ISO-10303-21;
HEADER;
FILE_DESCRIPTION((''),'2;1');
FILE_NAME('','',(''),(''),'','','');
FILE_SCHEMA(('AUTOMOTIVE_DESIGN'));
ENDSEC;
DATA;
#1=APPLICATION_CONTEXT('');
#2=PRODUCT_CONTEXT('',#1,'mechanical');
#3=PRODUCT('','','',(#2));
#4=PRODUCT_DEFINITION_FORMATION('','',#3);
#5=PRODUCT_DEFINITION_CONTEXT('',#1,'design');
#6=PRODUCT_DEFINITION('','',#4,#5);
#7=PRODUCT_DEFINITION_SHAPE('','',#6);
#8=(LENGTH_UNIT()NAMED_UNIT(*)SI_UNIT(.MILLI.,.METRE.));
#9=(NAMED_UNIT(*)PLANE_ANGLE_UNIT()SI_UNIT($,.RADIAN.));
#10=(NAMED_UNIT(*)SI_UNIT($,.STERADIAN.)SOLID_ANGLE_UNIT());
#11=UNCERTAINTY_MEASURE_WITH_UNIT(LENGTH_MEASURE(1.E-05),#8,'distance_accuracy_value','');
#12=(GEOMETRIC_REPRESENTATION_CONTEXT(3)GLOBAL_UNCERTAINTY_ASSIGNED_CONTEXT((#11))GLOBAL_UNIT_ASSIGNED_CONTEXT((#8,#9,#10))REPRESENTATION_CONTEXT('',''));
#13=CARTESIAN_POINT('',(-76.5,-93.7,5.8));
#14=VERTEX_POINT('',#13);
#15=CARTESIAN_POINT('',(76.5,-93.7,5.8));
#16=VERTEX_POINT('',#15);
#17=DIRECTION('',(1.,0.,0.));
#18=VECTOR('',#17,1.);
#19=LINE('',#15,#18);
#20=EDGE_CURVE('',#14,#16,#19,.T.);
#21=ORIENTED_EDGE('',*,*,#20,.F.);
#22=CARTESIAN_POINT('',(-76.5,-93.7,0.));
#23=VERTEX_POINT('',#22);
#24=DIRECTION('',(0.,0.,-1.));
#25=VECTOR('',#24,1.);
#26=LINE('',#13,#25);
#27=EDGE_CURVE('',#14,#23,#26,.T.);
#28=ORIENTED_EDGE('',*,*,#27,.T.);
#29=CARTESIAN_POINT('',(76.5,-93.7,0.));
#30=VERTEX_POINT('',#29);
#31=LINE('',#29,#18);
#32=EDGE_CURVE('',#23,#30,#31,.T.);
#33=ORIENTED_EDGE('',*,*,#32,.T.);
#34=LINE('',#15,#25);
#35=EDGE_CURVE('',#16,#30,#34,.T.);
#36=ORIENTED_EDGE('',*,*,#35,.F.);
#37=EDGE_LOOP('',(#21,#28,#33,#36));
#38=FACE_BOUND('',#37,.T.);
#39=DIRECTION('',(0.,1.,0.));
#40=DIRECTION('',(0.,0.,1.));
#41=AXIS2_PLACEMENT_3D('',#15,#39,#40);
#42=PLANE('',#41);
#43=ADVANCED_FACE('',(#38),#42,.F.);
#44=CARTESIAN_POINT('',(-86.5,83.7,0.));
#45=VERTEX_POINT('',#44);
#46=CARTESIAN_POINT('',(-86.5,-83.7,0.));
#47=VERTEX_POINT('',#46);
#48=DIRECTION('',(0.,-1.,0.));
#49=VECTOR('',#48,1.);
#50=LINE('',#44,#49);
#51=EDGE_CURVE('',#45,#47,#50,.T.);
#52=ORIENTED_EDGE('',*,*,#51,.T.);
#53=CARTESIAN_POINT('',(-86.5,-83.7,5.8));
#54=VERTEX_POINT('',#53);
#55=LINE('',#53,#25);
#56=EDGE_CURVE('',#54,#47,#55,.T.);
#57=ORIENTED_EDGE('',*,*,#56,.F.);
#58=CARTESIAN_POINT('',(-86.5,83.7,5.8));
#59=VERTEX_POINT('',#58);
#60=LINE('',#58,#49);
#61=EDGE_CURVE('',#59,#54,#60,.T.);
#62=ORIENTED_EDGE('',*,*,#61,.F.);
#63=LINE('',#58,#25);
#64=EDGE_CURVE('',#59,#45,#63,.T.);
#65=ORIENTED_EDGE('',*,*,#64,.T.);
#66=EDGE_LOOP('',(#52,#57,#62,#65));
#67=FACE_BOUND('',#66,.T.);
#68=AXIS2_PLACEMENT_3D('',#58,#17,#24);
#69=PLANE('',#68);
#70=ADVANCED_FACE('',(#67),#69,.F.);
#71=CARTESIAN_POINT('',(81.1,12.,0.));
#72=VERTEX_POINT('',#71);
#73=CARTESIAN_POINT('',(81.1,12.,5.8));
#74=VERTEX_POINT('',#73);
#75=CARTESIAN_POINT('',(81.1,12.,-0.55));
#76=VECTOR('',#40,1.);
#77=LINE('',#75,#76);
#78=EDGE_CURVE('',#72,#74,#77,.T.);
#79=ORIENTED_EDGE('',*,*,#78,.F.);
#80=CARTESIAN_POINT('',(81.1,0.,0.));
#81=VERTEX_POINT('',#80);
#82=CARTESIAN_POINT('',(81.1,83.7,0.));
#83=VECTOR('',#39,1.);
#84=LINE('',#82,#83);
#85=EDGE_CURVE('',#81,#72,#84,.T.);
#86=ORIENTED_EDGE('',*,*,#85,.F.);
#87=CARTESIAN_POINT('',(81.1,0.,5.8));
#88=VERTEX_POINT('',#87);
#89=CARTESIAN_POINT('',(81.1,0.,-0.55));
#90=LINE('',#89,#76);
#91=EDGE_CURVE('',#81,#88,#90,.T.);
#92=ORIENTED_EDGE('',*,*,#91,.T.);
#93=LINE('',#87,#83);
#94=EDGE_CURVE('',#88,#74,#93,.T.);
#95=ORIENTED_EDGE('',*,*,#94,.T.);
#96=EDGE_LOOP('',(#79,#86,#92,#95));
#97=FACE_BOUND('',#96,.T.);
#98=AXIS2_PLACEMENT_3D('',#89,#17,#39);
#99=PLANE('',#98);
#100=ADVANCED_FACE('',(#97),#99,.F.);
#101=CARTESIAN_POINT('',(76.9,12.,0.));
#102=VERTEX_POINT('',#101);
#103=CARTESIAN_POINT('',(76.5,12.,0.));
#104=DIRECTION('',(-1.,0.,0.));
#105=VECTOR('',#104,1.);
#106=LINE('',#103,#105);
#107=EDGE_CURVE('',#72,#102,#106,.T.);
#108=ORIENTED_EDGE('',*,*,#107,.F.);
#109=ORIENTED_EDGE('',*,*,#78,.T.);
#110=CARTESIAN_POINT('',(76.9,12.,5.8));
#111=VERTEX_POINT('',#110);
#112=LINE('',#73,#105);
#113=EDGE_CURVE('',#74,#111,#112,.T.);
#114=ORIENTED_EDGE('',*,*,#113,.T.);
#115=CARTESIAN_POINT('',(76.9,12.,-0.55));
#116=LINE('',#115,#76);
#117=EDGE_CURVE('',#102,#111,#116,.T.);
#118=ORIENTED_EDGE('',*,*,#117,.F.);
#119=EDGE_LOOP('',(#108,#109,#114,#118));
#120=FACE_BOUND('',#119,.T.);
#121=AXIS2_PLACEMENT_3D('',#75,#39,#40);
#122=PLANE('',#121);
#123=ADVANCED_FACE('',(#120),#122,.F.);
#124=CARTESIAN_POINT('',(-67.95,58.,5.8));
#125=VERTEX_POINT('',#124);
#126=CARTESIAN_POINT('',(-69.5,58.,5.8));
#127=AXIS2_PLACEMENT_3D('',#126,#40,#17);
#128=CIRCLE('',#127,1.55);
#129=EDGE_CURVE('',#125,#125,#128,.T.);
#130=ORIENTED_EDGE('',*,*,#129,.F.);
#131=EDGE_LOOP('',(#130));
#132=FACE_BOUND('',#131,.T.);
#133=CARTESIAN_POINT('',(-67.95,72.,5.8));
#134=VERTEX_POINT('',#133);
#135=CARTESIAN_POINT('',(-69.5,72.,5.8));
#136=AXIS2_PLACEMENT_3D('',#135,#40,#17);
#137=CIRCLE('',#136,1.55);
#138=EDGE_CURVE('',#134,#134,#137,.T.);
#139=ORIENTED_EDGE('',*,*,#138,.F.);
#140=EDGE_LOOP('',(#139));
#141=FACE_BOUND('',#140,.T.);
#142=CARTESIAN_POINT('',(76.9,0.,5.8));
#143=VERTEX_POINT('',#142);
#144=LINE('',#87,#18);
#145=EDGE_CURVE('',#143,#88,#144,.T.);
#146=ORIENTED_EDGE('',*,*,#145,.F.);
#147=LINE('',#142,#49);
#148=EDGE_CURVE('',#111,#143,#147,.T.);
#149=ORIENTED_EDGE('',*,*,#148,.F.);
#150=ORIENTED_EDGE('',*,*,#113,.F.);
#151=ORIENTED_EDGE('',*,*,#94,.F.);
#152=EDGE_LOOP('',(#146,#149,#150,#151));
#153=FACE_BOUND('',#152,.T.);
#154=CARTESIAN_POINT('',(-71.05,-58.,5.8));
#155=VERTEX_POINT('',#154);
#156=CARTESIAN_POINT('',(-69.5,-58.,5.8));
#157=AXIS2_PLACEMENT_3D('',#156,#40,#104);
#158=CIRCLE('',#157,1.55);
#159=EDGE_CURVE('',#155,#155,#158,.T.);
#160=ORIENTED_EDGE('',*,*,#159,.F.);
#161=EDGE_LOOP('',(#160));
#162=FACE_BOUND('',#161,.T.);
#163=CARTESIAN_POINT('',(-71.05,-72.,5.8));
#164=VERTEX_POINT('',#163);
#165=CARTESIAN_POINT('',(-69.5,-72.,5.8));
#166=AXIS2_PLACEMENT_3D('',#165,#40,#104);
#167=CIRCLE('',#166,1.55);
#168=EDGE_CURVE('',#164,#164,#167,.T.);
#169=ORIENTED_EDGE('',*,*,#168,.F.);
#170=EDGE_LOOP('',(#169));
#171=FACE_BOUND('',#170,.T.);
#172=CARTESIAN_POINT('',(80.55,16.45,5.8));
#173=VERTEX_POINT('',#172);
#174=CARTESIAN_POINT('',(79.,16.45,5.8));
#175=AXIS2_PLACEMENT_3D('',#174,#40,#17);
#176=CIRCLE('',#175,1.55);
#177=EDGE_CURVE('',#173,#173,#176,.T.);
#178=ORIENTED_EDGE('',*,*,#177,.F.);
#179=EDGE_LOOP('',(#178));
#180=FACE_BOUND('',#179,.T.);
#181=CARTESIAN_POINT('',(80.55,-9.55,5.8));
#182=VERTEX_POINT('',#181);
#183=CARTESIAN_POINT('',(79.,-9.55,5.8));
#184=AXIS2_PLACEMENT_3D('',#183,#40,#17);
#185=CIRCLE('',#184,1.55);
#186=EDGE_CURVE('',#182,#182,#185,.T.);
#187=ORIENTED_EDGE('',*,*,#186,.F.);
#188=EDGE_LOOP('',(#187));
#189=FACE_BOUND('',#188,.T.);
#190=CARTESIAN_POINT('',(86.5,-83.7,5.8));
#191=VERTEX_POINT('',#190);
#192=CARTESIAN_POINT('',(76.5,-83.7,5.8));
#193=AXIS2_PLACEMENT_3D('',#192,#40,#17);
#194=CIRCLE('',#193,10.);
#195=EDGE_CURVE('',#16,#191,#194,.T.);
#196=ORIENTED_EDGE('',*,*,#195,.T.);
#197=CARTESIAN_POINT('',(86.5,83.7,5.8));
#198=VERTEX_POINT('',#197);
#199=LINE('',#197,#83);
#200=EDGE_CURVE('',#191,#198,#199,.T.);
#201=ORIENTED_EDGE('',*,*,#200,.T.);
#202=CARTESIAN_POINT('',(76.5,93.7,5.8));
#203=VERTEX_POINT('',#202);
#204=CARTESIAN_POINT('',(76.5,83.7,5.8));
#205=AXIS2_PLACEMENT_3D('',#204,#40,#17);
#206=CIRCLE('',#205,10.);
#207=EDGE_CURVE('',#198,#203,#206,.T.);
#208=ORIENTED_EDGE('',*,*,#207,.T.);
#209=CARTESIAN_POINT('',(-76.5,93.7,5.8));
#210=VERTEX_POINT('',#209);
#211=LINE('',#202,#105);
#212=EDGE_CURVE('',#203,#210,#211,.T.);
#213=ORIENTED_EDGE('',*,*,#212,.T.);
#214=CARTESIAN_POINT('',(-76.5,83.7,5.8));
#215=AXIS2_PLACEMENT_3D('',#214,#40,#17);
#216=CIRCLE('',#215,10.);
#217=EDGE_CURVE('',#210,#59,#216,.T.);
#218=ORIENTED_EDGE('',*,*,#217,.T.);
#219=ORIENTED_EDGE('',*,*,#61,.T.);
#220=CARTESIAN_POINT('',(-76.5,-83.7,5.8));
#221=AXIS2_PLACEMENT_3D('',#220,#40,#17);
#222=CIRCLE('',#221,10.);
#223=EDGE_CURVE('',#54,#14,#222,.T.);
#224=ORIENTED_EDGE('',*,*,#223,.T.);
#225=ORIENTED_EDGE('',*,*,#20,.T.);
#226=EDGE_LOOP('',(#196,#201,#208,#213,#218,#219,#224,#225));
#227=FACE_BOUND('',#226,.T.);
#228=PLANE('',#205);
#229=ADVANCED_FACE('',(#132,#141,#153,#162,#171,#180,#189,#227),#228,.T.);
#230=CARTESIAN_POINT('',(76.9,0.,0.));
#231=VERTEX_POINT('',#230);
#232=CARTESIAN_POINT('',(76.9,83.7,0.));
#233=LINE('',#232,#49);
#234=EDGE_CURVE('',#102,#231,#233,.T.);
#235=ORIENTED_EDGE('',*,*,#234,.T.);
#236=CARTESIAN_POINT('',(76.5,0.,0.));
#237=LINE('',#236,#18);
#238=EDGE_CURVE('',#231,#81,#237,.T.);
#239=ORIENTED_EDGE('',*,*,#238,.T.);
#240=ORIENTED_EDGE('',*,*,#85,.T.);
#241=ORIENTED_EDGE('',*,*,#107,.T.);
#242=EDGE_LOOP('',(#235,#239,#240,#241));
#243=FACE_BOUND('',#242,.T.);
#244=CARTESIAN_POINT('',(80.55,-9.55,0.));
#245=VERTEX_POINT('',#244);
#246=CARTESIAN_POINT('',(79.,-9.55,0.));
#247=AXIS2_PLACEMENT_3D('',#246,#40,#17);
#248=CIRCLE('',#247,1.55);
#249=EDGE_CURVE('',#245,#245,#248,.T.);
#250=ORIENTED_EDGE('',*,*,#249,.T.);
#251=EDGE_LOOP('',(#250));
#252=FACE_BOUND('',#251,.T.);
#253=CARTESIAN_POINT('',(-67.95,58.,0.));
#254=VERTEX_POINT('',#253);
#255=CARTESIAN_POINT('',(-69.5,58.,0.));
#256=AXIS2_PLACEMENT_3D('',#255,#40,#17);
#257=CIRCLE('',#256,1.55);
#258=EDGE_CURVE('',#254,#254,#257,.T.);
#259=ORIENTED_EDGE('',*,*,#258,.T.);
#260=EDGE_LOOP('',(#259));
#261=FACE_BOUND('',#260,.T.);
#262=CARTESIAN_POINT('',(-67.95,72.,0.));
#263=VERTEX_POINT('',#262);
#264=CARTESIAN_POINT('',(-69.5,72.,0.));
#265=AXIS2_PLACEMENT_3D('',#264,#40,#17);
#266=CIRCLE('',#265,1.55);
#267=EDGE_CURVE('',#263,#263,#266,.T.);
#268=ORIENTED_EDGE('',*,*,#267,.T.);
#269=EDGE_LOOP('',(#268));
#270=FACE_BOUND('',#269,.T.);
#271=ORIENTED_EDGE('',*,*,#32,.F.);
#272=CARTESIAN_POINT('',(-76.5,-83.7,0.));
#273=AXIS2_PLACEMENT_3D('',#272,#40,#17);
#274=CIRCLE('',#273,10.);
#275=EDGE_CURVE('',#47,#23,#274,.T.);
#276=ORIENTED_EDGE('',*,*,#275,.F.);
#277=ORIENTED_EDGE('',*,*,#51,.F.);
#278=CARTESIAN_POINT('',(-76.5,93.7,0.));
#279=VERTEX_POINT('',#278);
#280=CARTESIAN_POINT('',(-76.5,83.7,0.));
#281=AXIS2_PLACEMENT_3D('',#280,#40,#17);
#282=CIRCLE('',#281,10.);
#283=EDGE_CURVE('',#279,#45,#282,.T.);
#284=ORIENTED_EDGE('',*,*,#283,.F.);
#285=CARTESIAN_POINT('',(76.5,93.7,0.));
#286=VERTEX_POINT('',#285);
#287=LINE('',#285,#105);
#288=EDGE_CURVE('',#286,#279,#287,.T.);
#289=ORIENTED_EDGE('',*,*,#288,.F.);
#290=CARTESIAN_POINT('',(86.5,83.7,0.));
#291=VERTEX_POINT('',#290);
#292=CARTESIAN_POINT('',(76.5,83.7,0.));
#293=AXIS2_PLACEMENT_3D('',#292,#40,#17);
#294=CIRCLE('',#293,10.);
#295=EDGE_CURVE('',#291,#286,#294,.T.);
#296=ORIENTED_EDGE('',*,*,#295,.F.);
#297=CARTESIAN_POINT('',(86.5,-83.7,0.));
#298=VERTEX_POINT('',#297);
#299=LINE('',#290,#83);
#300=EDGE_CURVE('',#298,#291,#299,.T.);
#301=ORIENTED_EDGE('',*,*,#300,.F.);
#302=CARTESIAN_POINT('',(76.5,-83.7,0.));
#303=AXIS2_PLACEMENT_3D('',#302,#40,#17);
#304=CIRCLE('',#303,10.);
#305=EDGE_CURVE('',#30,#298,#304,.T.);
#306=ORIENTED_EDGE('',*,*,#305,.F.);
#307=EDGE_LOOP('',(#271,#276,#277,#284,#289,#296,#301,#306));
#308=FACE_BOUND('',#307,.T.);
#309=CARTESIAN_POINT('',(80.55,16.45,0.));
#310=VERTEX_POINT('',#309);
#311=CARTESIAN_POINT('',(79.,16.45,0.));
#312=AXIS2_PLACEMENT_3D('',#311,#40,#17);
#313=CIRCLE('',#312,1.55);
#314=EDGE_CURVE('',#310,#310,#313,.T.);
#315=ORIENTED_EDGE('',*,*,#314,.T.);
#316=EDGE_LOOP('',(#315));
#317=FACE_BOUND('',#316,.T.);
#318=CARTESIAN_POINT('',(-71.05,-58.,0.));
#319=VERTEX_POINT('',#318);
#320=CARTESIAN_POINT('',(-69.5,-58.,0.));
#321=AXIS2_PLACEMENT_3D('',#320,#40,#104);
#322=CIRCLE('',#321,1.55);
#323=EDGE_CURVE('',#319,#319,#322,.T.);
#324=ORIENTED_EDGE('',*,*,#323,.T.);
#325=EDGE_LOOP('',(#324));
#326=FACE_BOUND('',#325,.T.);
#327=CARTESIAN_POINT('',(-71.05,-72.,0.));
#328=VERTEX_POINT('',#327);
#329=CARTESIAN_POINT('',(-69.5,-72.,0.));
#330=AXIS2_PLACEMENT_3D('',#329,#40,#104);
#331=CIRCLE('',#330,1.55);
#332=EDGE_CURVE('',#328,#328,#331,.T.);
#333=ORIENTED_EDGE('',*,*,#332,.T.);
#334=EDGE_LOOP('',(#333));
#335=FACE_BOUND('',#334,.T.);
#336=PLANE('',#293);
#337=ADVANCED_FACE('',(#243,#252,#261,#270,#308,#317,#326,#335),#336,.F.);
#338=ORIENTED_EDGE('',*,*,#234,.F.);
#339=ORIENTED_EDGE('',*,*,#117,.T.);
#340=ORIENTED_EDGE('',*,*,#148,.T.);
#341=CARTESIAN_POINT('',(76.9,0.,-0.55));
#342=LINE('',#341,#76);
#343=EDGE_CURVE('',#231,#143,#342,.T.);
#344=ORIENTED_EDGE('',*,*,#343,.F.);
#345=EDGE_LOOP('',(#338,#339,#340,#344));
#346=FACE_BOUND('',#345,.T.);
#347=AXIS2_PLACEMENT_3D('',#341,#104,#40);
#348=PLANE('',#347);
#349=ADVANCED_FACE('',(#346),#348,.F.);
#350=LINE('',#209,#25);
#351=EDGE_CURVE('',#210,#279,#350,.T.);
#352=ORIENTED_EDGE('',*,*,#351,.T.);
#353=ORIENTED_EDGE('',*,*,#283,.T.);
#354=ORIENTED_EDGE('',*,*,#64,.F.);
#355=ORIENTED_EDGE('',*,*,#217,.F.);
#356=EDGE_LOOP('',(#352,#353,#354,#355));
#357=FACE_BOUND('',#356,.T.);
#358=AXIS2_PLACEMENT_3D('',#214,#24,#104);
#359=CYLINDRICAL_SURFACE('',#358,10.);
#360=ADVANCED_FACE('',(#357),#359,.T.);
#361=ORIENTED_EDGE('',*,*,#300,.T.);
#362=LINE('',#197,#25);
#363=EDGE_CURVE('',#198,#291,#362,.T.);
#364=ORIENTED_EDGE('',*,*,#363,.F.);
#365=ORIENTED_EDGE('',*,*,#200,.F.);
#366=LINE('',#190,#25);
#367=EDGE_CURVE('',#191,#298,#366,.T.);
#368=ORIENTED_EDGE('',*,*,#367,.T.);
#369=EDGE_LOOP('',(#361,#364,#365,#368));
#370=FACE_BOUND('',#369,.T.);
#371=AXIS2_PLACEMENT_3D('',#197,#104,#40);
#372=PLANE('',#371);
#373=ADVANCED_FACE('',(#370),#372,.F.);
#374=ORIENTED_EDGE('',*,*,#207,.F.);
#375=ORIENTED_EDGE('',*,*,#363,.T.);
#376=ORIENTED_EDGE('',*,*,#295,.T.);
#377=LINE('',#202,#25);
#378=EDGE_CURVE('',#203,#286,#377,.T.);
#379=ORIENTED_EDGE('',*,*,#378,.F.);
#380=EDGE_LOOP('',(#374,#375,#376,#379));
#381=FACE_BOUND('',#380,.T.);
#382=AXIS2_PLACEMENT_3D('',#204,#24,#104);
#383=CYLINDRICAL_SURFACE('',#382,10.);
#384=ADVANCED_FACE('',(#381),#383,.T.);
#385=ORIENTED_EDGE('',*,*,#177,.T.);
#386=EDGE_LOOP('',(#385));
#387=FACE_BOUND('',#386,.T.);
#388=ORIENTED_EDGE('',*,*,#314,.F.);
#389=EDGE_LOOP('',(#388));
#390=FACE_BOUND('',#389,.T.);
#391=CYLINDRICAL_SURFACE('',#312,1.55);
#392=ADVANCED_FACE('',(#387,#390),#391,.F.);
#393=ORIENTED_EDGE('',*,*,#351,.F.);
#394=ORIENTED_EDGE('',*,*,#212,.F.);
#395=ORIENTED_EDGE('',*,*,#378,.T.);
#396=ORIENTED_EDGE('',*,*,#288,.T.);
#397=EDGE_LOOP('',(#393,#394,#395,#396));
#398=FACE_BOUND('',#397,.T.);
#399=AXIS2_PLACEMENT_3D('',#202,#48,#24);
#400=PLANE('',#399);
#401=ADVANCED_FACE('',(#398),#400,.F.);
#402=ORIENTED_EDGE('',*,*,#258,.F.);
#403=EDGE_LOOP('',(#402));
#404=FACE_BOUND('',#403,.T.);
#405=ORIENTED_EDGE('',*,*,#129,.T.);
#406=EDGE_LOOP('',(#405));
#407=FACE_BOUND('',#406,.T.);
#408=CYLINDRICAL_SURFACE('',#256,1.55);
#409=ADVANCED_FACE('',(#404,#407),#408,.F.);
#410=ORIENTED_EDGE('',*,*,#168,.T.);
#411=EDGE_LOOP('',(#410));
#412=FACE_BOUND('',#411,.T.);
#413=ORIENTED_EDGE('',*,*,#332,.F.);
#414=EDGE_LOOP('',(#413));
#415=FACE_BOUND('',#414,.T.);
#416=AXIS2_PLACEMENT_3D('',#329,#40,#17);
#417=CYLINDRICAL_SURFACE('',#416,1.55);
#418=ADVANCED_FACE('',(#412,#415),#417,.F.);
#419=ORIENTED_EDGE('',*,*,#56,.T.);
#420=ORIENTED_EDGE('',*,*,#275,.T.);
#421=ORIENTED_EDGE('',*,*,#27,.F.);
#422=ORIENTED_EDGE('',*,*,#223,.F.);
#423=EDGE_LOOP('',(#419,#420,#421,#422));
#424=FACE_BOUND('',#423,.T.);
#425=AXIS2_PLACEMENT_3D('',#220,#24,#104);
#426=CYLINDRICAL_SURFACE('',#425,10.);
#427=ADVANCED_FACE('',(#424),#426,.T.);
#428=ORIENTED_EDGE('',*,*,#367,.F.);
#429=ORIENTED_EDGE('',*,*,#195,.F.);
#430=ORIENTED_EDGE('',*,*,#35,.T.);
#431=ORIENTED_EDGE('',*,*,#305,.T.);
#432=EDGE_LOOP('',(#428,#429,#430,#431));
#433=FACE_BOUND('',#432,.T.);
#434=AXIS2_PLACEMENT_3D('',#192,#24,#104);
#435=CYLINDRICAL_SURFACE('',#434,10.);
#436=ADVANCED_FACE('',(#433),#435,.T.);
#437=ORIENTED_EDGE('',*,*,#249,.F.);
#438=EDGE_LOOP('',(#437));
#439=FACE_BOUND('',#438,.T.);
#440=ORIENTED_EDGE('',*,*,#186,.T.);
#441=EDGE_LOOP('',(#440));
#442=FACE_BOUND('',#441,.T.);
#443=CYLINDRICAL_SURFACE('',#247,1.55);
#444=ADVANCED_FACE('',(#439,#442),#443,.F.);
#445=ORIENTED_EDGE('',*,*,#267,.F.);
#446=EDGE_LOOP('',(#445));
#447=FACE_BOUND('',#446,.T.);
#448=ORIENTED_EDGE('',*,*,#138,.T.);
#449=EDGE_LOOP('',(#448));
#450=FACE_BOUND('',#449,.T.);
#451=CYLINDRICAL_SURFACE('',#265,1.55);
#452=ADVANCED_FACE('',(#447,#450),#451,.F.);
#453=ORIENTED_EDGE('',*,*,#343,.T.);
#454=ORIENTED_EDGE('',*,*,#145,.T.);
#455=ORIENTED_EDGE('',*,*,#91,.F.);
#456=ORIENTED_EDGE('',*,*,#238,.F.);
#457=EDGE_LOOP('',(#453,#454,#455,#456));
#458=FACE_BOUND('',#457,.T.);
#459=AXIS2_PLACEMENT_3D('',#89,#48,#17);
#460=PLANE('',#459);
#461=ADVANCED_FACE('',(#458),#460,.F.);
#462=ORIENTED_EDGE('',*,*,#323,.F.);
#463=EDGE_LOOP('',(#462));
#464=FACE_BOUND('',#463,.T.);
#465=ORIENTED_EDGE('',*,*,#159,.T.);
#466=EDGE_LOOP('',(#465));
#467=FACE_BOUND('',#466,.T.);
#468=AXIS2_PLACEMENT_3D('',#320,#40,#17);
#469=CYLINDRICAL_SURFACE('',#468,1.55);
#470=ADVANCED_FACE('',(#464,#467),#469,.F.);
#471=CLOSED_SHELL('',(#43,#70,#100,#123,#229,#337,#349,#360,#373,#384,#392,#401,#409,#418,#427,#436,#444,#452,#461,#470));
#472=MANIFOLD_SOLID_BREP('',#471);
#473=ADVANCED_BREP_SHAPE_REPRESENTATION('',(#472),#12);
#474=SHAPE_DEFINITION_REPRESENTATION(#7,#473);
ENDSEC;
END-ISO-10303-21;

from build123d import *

# Parameters (mm, degrees)
BOSS_EXTRUDE1_DEPTH = 5.8
SKETCH3_W           = 4.2
SKETCH3_H           = 12
CUT_EXTRUDE1_DEPTH  = 6.35
SKETCH4_R           = 1.55
CUT_EXTRUDE2_DEPTH  = 6.8
SKETCH5_R           = 1.55
CUT_EXTRUDE3_DEPTH  = 6.8


with BuildPart() as part:
    # Sketch2 → Boss-Extrude1 (new body)
    with BuildSketch(Plane.XY):
        with BuildLine():
            Line((76.5, 93.7), (-76.5, 93.7))
            ThreePointArc((-76.5, 93.7), (-83.571067812, 90.771067812), (-86.5, 83.7))
            Line((-86.5, 83.7), (-86.5, -83.7))
            ThreePointArc((-86.5, -83.7), (-83.571067812, -90.771067812), (-76.5, -93.7))
            Line((-76.5, -93.7), (76.5, -93.7))
            ThreePointArc((76.5, -93.7), (83.571067812, -90.771067812), (86.5, -83.7))
            Line((86.5, -83.7), (86.5, 83.7))
            ThreePointArc((86.5, 83.7), (83.571067812, 90.771067812), (76.5, 93.7))
        make_face()
    extrude(amount=BOSS_EXTRUDE1_DEPTH)

    # Sketch3 → Cut-Extrude1 (cut)
    with BuildSketch(Plane.XY.offset(5.8)):
        with Locations((79, 6)):
            Rectangle(SKETCH3_W, SKETCH3_H)
    extrude(amount=-CUT_EXTRUDE1_DEPTH, mode=Mode.SUBTRACT)

    # Sketch4 → Cut-Extrude2 (cut, through all)
    with BuildSketch(Plane.XY.offset(5.8)):
        with Locations((-69.5, 72)):
            Circle(SKETCH4_R)
        with Locations((-69.5, 58)):
            Circle(SKETCH4_R)
        with Locations((-69.5, -58)):
            Circle(SKETCH4_R)
        with Locations((-69.5, -72)):
            Circle(SKETCH4_R)
    extrude(amount=-CUT_EXTRUDE2_DEPTH, mode=Mode.SUBTRACT)

    # Sketch5 → Cut-Extrude3 (cut, through all)
    with BuildSketch(Plane.XY.offset(5.8)):
        with Locations((79, 16.45)):
            Circle(SKETCH5_R)
        with Locations((79, -9.55)):
            Circle(SKETCH5_R)
    extrude(amount=-CUT_EXTRUDE3_DEPTH, mode=Mode.SUBTRACT)


solid = part.part
